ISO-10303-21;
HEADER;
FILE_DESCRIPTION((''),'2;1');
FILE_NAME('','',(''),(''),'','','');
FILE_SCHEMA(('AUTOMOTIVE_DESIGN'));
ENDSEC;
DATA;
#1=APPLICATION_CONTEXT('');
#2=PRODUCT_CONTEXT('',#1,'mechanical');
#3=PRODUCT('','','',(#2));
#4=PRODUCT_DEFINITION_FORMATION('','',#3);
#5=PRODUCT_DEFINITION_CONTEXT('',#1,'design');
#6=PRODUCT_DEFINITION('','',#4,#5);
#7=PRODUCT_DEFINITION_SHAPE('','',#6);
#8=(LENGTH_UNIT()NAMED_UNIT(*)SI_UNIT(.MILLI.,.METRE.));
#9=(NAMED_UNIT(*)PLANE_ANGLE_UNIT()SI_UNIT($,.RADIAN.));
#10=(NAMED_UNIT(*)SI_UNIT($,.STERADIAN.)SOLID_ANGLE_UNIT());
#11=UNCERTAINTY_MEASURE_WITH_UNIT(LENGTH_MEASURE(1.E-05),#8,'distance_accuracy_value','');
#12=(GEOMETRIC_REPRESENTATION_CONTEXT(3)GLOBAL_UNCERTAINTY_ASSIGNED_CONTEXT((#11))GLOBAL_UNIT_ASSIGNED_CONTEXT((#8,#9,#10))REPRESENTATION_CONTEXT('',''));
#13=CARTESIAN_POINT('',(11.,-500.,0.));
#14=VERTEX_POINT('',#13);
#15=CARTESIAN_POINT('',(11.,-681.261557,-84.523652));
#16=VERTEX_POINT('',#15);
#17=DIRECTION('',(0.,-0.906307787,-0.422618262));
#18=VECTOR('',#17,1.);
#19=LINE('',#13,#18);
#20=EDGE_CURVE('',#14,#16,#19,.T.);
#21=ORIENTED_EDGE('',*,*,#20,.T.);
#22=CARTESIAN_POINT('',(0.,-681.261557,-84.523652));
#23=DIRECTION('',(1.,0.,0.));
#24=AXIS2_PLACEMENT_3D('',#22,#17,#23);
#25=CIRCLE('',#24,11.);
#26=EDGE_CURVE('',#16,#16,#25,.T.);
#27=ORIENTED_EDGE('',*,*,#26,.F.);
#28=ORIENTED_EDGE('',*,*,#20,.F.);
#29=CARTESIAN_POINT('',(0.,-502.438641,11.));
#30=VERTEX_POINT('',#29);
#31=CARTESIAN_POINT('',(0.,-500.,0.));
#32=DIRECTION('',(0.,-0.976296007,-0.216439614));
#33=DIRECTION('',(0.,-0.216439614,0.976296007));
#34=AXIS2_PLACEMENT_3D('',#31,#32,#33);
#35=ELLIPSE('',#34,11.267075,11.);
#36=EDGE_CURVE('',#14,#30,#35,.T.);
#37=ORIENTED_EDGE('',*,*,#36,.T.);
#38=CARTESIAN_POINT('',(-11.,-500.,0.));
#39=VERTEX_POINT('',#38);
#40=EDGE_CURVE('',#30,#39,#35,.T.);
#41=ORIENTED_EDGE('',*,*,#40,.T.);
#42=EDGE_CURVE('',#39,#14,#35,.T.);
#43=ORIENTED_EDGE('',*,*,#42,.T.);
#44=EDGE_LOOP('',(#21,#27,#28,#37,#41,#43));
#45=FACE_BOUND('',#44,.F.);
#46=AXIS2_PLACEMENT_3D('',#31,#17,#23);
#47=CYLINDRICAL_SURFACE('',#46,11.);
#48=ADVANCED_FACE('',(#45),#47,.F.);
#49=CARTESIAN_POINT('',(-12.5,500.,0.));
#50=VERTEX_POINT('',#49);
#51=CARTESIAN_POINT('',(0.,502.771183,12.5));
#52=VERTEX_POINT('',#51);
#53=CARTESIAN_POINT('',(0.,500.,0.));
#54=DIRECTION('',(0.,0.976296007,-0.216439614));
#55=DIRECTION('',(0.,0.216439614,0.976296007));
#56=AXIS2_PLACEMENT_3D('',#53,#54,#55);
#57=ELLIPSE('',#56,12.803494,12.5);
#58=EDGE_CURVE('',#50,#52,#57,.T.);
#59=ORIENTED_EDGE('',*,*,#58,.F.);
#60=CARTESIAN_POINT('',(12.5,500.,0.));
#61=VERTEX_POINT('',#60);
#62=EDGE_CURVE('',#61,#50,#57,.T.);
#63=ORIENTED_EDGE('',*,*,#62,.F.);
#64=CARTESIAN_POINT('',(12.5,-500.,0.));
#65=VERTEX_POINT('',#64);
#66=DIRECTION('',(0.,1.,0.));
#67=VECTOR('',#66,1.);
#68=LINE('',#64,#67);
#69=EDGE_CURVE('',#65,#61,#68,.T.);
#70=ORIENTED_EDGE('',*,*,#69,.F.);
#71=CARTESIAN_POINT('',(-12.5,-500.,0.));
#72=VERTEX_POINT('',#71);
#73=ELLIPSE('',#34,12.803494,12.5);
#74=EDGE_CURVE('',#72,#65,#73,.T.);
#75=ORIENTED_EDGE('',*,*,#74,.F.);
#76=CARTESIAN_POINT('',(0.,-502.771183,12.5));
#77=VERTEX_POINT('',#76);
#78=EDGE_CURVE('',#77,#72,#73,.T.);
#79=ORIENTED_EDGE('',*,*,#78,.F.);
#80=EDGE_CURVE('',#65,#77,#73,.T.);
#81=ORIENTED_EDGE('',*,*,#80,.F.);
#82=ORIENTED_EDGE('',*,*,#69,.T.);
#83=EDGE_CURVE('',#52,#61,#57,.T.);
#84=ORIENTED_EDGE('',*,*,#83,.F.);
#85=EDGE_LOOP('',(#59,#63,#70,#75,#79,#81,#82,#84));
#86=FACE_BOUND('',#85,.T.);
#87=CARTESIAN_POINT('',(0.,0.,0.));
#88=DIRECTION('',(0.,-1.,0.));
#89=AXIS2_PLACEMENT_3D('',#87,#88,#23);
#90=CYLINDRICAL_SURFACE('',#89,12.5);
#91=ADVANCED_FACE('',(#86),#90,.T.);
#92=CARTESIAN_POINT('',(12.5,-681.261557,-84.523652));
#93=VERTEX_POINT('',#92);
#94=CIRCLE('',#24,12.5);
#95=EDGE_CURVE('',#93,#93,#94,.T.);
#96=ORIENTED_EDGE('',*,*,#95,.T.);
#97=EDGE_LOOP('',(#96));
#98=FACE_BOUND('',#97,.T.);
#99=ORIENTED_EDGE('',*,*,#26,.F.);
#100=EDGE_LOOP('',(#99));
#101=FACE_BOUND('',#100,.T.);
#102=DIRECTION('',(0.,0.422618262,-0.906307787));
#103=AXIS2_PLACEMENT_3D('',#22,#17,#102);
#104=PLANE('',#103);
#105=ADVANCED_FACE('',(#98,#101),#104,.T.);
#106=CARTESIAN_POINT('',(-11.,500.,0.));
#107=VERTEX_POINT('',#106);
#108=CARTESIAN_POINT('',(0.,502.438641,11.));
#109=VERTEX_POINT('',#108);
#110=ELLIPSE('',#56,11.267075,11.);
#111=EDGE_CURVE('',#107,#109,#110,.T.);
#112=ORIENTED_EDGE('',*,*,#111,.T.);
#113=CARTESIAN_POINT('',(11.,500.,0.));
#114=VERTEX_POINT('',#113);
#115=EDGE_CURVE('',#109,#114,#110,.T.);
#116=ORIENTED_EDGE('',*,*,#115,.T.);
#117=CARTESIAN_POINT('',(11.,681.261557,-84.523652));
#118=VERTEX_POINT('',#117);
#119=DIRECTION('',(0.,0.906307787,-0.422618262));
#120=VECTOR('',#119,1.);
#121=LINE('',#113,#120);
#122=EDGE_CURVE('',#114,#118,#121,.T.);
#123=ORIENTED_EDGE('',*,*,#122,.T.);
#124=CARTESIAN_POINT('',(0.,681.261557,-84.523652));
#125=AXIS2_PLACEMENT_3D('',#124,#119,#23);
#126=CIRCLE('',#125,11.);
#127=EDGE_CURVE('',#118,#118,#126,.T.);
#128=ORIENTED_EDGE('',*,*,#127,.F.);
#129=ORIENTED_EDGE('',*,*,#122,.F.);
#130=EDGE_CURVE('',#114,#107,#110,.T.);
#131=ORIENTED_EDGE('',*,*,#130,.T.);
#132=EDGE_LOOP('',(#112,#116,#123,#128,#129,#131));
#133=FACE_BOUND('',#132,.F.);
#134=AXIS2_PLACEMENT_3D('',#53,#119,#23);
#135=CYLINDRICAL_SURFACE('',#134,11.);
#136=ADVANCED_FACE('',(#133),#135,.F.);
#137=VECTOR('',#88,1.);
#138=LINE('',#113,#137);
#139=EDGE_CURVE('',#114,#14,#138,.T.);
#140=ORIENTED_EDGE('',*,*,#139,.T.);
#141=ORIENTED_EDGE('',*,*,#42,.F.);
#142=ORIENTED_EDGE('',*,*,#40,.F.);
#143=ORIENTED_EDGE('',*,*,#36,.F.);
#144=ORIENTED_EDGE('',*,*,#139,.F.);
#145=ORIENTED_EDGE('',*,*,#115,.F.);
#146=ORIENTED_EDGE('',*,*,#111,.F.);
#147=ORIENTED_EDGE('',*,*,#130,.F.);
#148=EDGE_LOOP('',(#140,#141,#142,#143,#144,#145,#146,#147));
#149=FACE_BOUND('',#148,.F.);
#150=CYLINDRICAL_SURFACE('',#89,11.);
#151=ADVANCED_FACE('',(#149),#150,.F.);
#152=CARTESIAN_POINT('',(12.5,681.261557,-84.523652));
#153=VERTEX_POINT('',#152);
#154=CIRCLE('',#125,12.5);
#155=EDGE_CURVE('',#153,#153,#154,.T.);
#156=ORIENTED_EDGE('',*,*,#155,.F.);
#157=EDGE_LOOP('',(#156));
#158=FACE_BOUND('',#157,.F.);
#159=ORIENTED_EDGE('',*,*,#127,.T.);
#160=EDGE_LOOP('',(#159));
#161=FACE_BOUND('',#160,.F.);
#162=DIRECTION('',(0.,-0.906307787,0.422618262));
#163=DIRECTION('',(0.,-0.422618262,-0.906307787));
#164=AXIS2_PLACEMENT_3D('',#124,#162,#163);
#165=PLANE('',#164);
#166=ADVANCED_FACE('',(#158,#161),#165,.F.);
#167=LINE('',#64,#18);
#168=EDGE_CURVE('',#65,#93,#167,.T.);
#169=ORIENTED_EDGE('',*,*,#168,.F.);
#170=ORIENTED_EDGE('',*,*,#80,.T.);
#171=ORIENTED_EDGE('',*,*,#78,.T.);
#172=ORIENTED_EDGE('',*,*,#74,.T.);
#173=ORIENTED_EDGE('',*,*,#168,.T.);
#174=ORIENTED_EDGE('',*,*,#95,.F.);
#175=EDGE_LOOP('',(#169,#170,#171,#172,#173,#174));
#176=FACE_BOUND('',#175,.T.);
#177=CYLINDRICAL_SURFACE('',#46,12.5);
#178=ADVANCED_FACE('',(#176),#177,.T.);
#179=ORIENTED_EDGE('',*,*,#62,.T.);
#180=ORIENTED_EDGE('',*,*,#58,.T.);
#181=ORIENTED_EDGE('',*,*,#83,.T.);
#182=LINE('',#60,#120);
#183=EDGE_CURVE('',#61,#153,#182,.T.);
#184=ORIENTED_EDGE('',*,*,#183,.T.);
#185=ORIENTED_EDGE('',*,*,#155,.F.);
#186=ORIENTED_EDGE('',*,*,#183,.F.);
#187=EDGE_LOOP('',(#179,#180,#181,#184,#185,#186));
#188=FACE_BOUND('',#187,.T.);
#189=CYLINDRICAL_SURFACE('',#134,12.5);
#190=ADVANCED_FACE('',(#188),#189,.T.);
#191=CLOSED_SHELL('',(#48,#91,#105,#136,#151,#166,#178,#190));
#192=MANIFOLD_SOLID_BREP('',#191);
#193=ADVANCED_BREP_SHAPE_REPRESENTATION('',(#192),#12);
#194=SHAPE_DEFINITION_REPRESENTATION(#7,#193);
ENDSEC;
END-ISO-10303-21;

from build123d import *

# Parameters (mm, degrees)
F0_R   = 12.5
F0_R_2 = 11


with BuildPart() as f2:
    # F2: sweep along a path in F1
    with BuildLine(Plane.YZ) as f2_path:
        Line((0, 0), (500, 0))
        Line((500, 0), (681.2615574073, -84.5236523481))
    # F0 (on Front) → F2 (sweep)
    with BuildSketch(Plane.XZ):
        Circle(F0_R)
        Circle(F0_R_2, mode=Mode.SUBTRACT)
    sweep(path=f2_path.line, transition=Transition.RIGHT)

    # F3: sweep along a path in F1
    with BuildLine(Plane.YZ) as f3_path:
        Line((0, 0), (-500, 0))
        Line((-500, 0), (-681.2615574073, -84.5236523481))
    # F0 (on Front) → F3 (sweep)
    with BuildSketch(Plane.XZ):
        Circle(F0_R)
        Circle(F0_R_2, mode=Mode.SUBTRACT)
    sweep(path=f3_path.line, transition=Transition.RIGHT)


solid = f2.part
